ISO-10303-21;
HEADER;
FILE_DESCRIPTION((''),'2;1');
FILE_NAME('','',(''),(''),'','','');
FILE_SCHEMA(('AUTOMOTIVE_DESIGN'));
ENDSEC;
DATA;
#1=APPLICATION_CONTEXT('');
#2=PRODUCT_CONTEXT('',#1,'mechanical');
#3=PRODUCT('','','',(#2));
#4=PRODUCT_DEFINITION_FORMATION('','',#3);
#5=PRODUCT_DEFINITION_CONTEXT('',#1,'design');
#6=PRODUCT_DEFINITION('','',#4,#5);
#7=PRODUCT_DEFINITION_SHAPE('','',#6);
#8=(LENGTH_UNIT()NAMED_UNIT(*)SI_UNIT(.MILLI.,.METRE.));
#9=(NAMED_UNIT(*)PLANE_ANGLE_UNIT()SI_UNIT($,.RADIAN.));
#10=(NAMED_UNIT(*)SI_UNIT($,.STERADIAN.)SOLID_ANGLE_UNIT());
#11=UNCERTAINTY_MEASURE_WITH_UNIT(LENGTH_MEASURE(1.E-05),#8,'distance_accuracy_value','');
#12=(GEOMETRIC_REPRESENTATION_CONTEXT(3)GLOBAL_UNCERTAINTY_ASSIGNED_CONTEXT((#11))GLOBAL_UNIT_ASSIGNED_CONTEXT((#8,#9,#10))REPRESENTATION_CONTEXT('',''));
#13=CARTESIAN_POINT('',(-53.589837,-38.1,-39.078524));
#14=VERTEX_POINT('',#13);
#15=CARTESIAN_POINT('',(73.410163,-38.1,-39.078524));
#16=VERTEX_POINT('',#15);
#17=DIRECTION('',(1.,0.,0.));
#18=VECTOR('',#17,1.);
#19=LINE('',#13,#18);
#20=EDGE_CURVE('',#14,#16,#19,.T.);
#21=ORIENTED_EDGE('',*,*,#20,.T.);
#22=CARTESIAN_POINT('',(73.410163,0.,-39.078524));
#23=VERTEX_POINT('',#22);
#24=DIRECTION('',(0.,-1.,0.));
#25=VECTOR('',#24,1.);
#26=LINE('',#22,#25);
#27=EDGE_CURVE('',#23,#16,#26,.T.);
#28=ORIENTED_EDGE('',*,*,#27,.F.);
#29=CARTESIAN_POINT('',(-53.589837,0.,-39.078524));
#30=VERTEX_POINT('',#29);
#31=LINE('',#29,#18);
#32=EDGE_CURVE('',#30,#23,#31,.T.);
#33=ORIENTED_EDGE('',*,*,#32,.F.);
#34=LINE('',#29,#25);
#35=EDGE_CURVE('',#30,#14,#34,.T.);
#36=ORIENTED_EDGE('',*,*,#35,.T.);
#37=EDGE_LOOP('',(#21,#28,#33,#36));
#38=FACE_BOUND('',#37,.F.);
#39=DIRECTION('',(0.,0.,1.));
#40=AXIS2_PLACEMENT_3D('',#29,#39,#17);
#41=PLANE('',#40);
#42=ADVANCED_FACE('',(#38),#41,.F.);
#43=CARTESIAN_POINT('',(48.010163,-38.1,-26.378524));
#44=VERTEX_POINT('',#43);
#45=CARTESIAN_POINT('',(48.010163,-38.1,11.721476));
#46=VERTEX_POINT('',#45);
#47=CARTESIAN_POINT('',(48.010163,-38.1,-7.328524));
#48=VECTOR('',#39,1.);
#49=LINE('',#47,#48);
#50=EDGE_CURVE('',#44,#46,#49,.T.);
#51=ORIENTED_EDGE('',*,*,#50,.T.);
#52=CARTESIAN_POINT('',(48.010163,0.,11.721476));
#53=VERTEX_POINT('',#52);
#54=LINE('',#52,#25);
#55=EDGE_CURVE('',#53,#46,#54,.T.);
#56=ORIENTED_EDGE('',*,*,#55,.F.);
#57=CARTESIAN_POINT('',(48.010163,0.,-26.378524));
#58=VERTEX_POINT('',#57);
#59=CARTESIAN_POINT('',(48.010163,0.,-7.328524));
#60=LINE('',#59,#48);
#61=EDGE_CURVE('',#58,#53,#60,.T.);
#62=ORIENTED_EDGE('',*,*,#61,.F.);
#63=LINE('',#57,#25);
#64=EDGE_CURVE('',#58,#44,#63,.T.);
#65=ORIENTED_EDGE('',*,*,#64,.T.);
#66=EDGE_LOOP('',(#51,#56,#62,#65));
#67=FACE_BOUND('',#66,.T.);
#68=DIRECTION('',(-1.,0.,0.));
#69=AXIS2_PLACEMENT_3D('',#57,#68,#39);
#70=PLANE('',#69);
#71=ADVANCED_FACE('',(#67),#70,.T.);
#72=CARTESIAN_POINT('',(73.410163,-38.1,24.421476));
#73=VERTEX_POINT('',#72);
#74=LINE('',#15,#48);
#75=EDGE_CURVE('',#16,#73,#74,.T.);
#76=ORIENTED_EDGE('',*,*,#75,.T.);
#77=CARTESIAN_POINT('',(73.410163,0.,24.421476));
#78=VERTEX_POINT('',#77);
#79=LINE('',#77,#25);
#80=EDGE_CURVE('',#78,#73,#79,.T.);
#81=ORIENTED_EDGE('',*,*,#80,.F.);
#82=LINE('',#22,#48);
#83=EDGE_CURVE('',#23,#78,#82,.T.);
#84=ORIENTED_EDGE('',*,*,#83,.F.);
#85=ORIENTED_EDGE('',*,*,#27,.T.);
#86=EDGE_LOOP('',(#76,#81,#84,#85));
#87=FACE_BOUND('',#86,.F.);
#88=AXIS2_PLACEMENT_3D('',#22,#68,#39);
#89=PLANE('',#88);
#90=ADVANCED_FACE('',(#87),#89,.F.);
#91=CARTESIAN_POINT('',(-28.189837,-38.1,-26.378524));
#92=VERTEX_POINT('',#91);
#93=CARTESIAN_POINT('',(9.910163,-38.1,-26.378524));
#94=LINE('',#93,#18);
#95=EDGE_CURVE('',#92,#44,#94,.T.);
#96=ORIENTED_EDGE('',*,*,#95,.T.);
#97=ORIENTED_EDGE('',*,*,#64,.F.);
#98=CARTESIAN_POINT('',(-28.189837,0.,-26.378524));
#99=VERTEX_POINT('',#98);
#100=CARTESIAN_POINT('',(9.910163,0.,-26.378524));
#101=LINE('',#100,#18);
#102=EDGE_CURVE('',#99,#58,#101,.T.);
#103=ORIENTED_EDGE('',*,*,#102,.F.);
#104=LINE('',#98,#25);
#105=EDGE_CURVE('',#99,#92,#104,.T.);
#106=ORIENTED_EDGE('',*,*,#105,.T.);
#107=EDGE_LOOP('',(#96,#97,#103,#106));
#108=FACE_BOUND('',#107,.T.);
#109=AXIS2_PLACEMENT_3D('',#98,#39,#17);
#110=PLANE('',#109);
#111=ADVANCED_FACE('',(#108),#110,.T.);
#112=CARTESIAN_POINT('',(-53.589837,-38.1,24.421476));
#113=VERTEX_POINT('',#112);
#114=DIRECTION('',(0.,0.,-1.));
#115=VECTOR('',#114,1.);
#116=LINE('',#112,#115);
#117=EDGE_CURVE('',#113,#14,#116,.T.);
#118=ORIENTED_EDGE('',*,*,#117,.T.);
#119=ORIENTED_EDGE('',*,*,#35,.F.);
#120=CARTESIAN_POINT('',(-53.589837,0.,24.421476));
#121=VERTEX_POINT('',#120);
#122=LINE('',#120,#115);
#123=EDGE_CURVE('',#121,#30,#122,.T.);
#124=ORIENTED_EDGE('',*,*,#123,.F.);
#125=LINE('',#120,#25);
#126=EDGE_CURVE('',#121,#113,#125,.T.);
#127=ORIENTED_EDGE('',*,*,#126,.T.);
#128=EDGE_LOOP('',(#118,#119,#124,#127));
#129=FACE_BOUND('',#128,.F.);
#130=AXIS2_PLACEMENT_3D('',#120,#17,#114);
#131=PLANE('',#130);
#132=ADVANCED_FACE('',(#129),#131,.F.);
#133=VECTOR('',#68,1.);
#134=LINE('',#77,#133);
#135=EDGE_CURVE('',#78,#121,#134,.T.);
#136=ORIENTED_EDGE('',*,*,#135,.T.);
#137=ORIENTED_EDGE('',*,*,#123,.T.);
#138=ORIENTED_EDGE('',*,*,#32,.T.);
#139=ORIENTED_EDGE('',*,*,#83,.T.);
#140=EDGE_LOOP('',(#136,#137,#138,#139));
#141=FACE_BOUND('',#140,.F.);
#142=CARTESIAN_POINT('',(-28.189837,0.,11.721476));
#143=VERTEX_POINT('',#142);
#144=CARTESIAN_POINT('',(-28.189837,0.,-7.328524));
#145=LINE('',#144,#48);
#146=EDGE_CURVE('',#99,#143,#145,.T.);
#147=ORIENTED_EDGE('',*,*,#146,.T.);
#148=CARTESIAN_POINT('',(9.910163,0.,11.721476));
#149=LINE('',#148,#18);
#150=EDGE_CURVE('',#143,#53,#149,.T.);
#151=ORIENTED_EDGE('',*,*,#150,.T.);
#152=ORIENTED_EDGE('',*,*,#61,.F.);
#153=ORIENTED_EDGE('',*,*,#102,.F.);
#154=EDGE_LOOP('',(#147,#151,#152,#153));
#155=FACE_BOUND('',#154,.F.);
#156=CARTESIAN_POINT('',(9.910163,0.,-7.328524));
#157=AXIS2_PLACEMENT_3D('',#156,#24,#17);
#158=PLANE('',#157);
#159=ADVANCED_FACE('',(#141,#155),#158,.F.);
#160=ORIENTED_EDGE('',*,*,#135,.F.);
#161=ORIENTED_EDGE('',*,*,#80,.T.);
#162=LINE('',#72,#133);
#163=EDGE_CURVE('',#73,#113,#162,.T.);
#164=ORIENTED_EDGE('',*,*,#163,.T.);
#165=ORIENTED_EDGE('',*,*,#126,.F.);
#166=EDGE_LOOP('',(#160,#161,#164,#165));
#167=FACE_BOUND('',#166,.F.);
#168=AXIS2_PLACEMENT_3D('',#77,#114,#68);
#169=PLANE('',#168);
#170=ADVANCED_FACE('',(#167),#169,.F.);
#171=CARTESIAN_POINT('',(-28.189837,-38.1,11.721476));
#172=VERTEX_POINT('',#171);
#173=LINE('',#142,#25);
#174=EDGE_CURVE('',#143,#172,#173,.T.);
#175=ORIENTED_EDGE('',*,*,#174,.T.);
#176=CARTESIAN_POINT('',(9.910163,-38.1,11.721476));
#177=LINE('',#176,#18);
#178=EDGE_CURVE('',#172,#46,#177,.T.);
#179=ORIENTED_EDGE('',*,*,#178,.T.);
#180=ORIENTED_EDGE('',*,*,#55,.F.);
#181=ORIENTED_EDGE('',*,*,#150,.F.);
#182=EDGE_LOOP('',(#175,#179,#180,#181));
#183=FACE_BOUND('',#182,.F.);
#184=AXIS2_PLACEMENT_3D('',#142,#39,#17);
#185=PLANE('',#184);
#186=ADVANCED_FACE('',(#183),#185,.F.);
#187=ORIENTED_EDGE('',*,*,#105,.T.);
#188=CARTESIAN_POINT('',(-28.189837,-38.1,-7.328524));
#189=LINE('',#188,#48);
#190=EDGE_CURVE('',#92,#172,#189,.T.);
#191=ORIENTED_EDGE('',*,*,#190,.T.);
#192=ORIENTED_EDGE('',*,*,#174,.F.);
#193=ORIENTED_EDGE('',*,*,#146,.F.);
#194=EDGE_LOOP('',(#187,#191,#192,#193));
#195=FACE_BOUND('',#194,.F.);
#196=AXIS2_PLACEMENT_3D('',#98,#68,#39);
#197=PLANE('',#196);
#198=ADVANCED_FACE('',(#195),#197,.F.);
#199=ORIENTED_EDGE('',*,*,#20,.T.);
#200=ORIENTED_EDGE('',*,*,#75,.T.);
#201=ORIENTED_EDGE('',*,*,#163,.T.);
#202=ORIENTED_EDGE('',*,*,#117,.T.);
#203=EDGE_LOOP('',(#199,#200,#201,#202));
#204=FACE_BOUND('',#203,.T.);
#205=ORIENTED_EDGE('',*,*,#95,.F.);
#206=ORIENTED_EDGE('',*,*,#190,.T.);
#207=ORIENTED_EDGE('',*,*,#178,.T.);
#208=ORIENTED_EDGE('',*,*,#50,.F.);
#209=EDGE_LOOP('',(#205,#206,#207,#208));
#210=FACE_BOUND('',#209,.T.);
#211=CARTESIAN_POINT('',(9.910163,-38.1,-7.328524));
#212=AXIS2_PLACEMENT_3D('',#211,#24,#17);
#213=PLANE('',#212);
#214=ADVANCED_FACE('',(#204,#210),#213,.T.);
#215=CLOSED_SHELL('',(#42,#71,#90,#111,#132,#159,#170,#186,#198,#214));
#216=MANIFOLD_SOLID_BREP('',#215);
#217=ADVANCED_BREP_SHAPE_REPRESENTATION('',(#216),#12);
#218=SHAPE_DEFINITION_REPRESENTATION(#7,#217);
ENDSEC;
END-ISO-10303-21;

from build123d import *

# Parameters (mm, degrees)
F0_W     = 76.2
F0_H     = 38.1
F1_DEPTH = 38.1


with BuildPart() as f1:
    # F0 (on Front) → F1 (new body)
    with BuildSketch(Plane.XZ):
        Polygon((-53.589837, -26.378524), (-53.589837, -39.078524), (-28.189837, -39.078524), (48.010163, -39.078524), (73.410163, -39.078524), (73.410163, -26.378524), (73.410163, 11.721476), (73.410163, 24.421476), (48.010163, 24.421476), (-28.189837, 24.421476), (-53.589837, 24.421476), (-53.589837, 11.721476), align=None)
        with Locations((9.910163, -7.328524)):
            Rectangle(F0_W, F0_H, mode=Mode.SUBTRACT)
    extrude(amount=F1_DEPTH)


solid = f1.part
